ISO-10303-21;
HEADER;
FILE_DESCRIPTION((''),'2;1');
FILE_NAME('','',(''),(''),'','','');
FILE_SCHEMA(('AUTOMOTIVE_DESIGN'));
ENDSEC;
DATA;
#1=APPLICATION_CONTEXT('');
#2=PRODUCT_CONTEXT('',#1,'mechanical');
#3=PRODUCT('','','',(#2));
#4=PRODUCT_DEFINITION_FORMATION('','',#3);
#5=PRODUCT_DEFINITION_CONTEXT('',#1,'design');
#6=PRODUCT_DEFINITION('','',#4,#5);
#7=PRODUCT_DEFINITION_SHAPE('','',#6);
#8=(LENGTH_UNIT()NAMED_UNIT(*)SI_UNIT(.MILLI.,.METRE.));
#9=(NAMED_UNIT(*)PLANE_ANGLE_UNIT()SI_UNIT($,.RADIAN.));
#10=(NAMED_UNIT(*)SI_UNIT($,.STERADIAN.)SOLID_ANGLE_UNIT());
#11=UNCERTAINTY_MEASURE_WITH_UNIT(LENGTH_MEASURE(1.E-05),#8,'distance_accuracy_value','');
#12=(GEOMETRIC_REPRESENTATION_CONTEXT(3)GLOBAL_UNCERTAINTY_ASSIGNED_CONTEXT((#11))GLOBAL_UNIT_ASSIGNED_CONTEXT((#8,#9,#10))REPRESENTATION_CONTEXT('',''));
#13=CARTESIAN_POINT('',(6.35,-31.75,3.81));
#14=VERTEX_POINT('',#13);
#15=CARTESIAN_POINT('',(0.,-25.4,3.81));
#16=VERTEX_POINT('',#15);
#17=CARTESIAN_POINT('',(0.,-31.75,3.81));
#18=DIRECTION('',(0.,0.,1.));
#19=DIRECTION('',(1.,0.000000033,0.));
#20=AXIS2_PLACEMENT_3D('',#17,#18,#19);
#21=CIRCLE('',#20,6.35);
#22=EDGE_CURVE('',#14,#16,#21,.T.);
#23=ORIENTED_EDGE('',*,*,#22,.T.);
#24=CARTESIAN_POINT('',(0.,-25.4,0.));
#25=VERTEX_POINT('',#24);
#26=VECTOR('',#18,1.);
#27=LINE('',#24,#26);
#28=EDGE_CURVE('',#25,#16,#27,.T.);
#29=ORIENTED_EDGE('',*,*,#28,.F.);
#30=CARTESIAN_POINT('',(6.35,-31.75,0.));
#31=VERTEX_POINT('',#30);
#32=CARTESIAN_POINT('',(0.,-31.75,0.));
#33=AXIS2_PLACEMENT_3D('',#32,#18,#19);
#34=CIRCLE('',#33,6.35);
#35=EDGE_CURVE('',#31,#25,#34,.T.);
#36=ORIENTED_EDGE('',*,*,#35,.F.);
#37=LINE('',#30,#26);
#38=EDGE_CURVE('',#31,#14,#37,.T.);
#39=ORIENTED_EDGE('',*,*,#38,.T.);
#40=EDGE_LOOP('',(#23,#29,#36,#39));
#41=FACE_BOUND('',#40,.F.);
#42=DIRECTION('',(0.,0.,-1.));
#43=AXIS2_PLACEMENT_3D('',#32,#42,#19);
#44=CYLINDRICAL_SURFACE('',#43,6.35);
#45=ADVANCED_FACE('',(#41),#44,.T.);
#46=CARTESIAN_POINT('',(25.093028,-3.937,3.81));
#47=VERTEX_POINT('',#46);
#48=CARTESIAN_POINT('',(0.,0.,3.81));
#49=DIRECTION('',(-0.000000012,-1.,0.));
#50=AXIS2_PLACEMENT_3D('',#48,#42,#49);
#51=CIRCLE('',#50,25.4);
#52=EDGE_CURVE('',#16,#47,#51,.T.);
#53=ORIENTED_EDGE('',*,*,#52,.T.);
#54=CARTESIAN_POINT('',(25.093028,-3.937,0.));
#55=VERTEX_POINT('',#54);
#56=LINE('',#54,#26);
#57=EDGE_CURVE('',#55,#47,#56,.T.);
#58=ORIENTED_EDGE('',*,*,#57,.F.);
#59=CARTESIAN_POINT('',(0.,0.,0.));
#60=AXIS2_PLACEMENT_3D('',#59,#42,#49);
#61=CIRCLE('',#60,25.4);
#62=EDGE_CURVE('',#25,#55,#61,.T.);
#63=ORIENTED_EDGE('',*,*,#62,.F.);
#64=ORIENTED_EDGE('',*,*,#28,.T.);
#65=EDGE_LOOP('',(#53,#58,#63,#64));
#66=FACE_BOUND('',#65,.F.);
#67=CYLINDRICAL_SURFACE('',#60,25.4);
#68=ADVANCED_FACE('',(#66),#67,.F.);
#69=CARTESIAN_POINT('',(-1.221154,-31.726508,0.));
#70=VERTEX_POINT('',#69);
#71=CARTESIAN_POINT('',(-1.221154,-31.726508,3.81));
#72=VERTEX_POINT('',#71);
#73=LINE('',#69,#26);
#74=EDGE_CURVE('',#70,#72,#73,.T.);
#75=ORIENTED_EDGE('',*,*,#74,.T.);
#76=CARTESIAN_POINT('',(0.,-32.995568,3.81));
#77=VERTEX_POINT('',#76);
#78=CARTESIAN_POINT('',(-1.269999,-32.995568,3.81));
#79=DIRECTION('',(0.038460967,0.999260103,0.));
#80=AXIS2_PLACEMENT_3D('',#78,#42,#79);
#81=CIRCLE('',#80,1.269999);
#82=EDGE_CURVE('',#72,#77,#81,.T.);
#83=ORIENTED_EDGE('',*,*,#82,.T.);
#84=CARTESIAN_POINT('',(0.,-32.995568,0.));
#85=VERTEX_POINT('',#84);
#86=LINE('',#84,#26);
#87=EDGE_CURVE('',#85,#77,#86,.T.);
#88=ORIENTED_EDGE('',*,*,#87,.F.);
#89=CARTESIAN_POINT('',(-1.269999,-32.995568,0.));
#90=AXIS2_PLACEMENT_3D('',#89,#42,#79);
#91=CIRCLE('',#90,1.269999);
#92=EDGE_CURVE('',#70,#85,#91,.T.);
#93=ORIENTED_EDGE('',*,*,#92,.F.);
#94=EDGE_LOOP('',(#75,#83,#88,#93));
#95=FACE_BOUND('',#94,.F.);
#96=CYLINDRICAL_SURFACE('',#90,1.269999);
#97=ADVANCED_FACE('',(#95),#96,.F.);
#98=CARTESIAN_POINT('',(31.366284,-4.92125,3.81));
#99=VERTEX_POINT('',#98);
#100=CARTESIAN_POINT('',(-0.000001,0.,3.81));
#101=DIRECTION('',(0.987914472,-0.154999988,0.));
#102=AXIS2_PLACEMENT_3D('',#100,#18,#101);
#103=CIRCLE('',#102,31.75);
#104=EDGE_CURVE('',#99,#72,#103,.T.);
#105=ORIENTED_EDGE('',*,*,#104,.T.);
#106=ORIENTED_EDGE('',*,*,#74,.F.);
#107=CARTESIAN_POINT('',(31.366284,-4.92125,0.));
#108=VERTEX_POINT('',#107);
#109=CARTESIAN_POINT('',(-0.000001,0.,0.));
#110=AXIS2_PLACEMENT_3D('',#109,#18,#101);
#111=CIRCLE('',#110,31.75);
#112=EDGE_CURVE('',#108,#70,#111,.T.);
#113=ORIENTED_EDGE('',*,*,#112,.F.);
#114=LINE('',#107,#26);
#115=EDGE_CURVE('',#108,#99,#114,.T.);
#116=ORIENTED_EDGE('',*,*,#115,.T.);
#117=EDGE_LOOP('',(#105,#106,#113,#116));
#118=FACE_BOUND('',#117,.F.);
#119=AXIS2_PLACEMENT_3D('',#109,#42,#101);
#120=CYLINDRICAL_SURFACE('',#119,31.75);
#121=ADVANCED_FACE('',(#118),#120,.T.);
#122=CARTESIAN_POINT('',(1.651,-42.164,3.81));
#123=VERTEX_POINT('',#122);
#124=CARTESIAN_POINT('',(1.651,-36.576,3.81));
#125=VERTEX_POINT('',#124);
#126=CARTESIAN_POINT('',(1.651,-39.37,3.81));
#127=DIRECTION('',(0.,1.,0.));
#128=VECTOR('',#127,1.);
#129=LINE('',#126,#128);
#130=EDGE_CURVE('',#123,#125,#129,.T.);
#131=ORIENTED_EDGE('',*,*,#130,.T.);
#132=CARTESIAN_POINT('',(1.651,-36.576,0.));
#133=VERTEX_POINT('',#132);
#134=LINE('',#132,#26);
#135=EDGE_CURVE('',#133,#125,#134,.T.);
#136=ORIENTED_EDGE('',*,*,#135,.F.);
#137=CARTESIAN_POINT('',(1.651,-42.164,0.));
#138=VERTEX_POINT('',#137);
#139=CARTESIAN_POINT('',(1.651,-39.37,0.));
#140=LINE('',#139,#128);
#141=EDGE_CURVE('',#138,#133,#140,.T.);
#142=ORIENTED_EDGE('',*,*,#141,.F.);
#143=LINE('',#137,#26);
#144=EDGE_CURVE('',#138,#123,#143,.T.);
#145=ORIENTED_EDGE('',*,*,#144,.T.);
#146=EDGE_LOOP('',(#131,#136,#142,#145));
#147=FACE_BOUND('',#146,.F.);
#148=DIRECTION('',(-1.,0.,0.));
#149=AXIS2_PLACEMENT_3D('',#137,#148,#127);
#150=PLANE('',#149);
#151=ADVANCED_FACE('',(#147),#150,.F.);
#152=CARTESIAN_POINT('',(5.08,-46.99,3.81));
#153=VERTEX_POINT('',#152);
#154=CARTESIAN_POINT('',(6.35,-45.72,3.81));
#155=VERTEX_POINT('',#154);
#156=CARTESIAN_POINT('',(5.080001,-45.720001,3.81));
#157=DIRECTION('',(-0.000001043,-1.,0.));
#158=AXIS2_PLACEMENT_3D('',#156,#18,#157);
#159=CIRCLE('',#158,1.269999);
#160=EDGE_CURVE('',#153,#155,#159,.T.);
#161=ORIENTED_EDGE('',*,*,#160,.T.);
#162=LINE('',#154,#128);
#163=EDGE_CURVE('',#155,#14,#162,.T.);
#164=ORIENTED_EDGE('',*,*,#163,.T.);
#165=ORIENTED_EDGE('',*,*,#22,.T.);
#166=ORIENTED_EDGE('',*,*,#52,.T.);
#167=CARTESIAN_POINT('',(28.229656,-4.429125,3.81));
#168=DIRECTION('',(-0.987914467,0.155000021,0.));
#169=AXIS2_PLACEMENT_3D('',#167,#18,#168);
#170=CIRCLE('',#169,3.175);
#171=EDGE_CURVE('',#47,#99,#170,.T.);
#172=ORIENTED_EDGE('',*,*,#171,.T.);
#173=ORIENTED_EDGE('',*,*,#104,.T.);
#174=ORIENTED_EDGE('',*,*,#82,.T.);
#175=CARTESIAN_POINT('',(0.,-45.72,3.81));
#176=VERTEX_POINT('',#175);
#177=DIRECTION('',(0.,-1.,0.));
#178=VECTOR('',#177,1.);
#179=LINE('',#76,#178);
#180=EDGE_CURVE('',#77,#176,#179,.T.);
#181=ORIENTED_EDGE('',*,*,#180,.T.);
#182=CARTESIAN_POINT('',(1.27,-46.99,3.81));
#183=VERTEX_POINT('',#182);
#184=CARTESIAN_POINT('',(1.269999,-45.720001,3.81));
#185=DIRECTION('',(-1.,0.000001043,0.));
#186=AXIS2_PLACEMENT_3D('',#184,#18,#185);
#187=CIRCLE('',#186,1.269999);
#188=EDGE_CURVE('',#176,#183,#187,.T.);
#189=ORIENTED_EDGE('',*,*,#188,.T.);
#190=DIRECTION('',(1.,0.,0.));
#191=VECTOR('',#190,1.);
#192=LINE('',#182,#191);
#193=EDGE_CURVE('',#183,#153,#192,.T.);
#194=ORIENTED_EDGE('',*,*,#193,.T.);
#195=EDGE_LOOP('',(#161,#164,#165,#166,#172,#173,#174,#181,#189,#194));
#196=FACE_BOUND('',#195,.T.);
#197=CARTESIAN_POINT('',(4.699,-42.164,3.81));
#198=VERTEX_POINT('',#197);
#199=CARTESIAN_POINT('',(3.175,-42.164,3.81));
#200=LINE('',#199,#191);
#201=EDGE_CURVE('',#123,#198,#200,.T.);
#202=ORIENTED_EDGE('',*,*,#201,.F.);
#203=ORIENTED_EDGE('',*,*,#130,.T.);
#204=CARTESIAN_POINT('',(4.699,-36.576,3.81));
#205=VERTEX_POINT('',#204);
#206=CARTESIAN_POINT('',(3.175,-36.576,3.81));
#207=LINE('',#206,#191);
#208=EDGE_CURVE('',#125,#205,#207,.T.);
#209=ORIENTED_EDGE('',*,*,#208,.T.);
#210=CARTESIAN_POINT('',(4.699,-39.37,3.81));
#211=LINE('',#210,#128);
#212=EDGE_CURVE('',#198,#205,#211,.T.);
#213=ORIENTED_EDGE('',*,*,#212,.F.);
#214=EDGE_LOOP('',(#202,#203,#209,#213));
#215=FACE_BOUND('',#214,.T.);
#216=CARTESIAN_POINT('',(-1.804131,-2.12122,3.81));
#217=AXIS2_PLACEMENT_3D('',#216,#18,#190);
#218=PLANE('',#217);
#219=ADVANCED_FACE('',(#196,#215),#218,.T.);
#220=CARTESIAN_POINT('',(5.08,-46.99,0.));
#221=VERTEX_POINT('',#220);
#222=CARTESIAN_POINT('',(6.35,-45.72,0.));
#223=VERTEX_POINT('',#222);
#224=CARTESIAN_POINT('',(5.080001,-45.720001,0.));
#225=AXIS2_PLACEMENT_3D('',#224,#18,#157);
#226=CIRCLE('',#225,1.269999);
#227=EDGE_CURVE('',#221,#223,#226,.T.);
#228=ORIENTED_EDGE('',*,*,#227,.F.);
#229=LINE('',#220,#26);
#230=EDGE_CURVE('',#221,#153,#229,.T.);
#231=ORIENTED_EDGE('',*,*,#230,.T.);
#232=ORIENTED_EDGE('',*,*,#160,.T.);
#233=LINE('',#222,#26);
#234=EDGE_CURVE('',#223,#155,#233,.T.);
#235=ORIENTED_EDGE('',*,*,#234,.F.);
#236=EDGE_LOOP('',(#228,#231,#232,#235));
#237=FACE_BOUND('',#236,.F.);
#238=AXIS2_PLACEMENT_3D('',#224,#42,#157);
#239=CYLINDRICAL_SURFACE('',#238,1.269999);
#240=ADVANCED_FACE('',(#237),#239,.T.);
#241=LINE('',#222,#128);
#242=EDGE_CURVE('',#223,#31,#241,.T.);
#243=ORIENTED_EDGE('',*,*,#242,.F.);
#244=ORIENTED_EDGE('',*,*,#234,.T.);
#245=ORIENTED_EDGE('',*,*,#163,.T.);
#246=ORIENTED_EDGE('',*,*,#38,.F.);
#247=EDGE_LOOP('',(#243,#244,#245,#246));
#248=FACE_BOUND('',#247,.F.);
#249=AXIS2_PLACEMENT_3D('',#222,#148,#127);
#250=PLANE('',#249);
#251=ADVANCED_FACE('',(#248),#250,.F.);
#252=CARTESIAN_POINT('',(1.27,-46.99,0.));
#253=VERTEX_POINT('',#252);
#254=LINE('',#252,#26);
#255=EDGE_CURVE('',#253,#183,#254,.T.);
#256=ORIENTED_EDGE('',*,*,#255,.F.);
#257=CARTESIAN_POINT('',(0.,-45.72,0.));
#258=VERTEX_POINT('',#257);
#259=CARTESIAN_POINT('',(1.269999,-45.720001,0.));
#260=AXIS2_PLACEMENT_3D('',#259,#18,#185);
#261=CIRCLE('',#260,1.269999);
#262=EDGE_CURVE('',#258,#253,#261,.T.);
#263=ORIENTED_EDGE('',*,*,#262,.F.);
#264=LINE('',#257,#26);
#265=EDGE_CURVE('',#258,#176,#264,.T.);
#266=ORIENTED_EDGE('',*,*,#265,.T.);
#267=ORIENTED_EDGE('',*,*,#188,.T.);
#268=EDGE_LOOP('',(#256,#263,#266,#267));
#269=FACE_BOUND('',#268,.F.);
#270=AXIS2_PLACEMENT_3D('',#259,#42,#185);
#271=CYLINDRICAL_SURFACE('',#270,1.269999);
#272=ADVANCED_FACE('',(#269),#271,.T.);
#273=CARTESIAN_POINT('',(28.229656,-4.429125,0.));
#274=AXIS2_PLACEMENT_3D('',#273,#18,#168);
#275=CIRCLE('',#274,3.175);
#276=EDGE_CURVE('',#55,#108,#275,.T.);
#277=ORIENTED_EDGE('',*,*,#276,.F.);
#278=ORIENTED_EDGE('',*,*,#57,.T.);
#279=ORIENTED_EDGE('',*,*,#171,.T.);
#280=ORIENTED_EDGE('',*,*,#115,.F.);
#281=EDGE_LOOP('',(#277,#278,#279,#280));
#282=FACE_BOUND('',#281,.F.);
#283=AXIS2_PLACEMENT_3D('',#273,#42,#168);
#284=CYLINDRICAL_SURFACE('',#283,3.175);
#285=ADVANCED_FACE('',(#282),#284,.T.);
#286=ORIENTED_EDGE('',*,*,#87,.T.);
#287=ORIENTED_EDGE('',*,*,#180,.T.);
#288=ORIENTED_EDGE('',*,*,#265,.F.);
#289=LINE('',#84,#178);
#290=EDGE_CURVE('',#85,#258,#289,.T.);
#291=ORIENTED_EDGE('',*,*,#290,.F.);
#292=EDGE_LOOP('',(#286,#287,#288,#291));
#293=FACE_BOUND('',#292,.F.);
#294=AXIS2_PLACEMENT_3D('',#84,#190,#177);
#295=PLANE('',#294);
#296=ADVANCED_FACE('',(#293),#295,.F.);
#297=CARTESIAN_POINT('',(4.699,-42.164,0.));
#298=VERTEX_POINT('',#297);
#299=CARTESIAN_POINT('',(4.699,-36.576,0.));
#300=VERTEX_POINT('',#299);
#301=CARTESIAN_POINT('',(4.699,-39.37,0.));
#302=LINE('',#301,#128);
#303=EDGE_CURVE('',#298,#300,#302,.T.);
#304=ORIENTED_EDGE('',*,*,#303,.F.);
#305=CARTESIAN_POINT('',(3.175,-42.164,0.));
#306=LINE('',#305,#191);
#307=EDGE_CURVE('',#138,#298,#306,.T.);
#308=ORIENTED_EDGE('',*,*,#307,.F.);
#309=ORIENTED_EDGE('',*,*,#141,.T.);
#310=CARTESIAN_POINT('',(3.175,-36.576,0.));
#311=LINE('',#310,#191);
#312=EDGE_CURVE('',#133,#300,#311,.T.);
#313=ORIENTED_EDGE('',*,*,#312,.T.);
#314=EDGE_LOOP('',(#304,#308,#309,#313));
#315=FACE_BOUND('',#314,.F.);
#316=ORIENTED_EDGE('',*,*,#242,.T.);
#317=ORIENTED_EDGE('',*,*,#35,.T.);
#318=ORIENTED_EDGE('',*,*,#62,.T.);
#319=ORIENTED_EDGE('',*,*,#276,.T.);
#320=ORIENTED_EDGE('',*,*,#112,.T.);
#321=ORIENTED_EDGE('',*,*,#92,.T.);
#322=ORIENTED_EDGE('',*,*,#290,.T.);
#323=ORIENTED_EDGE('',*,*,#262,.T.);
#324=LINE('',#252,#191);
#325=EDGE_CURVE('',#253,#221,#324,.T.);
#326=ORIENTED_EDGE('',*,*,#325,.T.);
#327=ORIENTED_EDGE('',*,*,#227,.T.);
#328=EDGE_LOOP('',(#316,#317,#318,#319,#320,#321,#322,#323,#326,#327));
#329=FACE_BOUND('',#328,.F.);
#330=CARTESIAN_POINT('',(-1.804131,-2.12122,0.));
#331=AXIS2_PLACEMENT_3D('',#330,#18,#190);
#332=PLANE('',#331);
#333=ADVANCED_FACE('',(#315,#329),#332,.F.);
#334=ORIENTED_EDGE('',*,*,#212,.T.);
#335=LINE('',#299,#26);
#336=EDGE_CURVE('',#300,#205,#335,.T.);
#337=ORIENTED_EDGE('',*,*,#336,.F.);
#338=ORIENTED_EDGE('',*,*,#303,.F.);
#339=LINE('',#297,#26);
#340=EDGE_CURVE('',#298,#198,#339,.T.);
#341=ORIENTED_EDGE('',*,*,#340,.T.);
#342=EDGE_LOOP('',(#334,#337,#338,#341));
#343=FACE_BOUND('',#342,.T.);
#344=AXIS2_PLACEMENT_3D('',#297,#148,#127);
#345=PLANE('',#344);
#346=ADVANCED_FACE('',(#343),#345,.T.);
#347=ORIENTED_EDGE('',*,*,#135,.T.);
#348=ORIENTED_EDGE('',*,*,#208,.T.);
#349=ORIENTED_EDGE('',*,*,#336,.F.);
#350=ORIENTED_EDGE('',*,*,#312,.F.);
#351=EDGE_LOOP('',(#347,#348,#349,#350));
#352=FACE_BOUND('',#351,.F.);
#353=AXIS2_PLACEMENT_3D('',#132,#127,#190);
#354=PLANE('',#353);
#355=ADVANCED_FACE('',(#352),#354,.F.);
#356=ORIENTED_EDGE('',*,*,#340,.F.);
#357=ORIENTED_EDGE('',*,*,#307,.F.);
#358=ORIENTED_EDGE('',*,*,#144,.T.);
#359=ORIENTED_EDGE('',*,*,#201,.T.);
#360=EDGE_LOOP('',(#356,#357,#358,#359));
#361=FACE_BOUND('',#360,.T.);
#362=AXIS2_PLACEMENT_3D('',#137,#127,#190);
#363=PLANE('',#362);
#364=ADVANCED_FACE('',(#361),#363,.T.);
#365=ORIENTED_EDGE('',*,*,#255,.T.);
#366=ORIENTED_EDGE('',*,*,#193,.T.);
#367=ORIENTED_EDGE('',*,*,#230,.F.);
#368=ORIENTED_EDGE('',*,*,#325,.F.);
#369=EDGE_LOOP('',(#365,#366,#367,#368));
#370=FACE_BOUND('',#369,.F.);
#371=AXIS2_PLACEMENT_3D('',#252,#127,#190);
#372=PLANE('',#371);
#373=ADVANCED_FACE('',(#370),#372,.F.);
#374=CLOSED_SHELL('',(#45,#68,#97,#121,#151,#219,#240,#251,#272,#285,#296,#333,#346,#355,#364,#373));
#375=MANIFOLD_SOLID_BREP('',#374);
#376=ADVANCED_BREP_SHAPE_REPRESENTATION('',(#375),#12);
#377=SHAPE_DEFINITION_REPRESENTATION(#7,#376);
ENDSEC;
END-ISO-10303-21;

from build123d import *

# Parameters (mm, degrees)
F0_W     = 3.048
F0_H     = 5.588
F1_DEPTH = 3.81


with BuildPart() as f1:
    # F0 (on Top) → F1 (new body)
    with BuildSketch(Plane.XY):
        with BuildLine():
            ThreePointArc((0, -25.4), (-16.51, 19.302329), (25.093028, -3.937))
            ThreePointArc((25.093028, -3.937), (27.737531, -7.565753), (31.366284, -4.92125))
            ThreePointArc((31.366284, -4.92125), (-20.169598, 24.520396), (-1.221154, -31.726508))
            ThreePointArc((-1.221154, -31.726508), (-0.354868, -32.114981), (0, -32.995568))
            Line((0, -32.995568), (0, -45.72))
            ThreePointArc((0, -45.72), (0.371974, -46.618026), (1.27, -46.99))
            Line((1.27, -46.99), (5.08, -46.99))
            ThreePointArc((5.08, -46.99), (5.978026, -46.618026), (6.35, -45.72))
            Line((6.35, -45.72), (6.35, -31.75))
            ThreePointArc((6.35, -31.75), (4.490128, -27.259872), (0, -25.4))
        make_face()
        with Locations((3.175, -39.37)):
            Rectangle(F0_W, F0_H, mode=Mode.SUBTRACT)
    extrude(amount=F1_DEPTH)


solid = f1.part
